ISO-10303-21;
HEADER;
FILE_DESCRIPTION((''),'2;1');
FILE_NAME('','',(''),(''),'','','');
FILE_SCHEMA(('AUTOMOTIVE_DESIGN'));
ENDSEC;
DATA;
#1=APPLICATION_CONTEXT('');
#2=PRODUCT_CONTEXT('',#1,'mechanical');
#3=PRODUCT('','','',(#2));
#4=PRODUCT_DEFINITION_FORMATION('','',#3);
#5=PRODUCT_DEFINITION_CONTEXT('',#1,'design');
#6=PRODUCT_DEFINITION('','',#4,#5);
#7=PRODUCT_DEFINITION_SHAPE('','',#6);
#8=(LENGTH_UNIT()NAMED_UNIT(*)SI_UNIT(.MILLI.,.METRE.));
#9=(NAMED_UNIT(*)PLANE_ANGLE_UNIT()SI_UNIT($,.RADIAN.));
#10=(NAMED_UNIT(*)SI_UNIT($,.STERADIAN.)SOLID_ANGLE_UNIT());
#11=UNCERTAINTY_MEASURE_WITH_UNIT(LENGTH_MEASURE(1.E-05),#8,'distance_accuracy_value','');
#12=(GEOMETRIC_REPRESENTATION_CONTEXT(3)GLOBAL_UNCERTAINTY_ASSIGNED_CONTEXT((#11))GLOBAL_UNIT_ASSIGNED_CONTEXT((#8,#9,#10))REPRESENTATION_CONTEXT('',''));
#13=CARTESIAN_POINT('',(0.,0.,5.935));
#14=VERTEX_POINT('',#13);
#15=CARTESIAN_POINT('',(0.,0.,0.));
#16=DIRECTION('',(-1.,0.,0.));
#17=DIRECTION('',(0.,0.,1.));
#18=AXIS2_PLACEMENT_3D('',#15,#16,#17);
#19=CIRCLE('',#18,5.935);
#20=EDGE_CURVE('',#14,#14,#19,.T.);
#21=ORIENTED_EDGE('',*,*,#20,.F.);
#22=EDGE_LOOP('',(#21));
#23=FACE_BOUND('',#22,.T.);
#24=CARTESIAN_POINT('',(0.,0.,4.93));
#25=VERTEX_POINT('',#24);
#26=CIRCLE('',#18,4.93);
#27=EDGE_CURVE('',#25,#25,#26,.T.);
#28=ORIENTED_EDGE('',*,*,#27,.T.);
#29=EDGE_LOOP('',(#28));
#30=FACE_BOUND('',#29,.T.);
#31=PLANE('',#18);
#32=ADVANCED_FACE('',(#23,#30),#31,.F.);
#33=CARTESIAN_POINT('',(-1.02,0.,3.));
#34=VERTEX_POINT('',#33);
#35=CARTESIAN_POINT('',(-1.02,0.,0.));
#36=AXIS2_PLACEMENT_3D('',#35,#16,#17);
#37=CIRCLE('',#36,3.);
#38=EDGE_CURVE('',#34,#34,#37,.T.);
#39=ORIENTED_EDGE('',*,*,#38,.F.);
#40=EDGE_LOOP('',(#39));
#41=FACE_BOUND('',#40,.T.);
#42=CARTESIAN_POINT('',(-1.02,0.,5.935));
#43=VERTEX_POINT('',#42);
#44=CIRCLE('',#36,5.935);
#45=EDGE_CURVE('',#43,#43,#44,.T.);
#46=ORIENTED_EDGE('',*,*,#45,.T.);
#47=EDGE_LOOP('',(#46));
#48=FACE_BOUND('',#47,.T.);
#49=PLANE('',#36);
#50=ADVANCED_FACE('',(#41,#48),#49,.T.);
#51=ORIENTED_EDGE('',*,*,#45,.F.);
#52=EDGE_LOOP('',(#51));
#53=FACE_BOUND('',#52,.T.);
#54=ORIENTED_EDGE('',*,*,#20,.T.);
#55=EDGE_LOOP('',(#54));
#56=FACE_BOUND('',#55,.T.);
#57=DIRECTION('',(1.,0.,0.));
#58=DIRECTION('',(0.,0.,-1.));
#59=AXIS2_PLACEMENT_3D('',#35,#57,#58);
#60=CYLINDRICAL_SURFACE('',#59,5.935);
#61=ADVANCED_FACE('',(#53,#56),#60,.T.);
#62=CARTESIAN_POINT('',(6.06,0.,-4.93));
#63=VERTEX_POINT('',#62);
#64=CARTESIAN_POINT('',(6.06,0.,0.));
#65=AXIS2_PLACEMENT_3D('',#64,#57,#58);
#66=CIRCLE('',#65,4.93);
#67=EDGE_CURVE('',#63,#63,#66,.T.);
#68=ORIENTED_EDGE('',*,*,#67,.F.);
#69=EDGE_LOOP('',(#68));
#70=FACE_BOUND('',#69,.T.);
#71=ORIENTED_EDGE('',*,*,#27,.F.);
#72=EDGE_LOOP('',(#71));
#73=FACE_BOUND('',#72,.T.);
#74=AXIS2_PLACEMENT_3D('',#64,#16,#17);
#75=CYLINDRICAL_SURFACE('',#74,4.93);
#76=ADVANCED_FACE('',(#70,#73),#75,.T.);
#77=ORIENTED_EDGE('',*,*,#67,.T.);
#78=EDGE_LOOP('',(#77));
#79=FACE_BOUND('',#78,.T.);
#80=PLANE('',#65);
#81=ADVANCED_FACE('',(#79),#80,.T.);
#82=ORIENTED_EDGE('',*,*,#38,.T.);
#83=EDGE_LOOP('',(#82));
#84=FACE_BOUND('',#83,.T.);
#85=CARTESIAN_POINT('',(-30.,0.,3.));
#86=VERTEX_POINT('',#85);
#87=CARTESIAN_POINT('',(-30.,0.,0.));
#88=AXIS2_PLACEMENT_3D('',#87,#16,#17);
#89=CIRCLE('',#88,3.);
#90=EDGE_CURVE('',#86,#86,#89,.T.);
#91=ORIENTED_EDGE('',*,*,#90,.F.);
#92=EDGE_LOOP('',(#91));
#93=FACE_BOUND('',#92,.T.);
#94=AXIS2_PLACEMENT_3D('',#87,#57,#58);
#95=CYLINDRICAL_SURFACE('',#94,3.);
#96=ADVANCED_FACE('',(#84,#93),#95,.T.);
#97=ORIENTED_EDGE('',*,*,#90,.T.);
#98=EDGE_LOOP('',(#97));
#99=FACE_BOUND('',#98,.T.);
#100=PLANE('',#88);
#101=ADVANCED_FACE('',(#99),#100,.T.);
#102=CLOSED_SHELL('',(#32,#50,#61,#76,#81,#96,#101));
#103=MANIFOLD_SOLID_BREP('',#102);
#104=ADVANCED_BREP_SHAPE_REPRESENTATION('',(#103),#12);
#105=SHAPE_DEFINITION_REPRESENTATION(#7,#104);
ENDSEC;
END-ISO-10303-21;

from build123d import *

# Parameters (mm, degrees)
SKETCH1_R           = 4.93
BOSS_EXTRUDE1_DEPTH = 6.06
SKETCH2_R           = 3
BOSS_EXTRUDE2_DEPTH = 30
SKETCH3_R           = 5.935
BOSS_EXTRUDE3_DEPTH = 1.02


with BuildPart() as part:
    # Sketch1 → Boss-Extrude1 (new body)
    with BuildSketch(Plane(origin=(0, 0, 0), x_dir=(0, 0, -1), z_dir=(1, 0, 0))):
        Circle(SKETCH1_R)
    extrude(amount=BOSS_EXTRUDE1_DEPTH)

    # Sketch2 → Boss-Extrude2 (add)
    with BuildSketch(Plane.ZY):
        Circle(SKETCH2_R)
    extrude(amount=BOSS_EXTRUDE2_DEPTH)

    # Sketch3 → Boss-Extrude3 (add)
    with BuildSketch(Plane.ZY):
        Circle(SKETCH3_R)
    extrude(amount=BOSS_EXTRUDE3_DEPTH)


solid = part.part
